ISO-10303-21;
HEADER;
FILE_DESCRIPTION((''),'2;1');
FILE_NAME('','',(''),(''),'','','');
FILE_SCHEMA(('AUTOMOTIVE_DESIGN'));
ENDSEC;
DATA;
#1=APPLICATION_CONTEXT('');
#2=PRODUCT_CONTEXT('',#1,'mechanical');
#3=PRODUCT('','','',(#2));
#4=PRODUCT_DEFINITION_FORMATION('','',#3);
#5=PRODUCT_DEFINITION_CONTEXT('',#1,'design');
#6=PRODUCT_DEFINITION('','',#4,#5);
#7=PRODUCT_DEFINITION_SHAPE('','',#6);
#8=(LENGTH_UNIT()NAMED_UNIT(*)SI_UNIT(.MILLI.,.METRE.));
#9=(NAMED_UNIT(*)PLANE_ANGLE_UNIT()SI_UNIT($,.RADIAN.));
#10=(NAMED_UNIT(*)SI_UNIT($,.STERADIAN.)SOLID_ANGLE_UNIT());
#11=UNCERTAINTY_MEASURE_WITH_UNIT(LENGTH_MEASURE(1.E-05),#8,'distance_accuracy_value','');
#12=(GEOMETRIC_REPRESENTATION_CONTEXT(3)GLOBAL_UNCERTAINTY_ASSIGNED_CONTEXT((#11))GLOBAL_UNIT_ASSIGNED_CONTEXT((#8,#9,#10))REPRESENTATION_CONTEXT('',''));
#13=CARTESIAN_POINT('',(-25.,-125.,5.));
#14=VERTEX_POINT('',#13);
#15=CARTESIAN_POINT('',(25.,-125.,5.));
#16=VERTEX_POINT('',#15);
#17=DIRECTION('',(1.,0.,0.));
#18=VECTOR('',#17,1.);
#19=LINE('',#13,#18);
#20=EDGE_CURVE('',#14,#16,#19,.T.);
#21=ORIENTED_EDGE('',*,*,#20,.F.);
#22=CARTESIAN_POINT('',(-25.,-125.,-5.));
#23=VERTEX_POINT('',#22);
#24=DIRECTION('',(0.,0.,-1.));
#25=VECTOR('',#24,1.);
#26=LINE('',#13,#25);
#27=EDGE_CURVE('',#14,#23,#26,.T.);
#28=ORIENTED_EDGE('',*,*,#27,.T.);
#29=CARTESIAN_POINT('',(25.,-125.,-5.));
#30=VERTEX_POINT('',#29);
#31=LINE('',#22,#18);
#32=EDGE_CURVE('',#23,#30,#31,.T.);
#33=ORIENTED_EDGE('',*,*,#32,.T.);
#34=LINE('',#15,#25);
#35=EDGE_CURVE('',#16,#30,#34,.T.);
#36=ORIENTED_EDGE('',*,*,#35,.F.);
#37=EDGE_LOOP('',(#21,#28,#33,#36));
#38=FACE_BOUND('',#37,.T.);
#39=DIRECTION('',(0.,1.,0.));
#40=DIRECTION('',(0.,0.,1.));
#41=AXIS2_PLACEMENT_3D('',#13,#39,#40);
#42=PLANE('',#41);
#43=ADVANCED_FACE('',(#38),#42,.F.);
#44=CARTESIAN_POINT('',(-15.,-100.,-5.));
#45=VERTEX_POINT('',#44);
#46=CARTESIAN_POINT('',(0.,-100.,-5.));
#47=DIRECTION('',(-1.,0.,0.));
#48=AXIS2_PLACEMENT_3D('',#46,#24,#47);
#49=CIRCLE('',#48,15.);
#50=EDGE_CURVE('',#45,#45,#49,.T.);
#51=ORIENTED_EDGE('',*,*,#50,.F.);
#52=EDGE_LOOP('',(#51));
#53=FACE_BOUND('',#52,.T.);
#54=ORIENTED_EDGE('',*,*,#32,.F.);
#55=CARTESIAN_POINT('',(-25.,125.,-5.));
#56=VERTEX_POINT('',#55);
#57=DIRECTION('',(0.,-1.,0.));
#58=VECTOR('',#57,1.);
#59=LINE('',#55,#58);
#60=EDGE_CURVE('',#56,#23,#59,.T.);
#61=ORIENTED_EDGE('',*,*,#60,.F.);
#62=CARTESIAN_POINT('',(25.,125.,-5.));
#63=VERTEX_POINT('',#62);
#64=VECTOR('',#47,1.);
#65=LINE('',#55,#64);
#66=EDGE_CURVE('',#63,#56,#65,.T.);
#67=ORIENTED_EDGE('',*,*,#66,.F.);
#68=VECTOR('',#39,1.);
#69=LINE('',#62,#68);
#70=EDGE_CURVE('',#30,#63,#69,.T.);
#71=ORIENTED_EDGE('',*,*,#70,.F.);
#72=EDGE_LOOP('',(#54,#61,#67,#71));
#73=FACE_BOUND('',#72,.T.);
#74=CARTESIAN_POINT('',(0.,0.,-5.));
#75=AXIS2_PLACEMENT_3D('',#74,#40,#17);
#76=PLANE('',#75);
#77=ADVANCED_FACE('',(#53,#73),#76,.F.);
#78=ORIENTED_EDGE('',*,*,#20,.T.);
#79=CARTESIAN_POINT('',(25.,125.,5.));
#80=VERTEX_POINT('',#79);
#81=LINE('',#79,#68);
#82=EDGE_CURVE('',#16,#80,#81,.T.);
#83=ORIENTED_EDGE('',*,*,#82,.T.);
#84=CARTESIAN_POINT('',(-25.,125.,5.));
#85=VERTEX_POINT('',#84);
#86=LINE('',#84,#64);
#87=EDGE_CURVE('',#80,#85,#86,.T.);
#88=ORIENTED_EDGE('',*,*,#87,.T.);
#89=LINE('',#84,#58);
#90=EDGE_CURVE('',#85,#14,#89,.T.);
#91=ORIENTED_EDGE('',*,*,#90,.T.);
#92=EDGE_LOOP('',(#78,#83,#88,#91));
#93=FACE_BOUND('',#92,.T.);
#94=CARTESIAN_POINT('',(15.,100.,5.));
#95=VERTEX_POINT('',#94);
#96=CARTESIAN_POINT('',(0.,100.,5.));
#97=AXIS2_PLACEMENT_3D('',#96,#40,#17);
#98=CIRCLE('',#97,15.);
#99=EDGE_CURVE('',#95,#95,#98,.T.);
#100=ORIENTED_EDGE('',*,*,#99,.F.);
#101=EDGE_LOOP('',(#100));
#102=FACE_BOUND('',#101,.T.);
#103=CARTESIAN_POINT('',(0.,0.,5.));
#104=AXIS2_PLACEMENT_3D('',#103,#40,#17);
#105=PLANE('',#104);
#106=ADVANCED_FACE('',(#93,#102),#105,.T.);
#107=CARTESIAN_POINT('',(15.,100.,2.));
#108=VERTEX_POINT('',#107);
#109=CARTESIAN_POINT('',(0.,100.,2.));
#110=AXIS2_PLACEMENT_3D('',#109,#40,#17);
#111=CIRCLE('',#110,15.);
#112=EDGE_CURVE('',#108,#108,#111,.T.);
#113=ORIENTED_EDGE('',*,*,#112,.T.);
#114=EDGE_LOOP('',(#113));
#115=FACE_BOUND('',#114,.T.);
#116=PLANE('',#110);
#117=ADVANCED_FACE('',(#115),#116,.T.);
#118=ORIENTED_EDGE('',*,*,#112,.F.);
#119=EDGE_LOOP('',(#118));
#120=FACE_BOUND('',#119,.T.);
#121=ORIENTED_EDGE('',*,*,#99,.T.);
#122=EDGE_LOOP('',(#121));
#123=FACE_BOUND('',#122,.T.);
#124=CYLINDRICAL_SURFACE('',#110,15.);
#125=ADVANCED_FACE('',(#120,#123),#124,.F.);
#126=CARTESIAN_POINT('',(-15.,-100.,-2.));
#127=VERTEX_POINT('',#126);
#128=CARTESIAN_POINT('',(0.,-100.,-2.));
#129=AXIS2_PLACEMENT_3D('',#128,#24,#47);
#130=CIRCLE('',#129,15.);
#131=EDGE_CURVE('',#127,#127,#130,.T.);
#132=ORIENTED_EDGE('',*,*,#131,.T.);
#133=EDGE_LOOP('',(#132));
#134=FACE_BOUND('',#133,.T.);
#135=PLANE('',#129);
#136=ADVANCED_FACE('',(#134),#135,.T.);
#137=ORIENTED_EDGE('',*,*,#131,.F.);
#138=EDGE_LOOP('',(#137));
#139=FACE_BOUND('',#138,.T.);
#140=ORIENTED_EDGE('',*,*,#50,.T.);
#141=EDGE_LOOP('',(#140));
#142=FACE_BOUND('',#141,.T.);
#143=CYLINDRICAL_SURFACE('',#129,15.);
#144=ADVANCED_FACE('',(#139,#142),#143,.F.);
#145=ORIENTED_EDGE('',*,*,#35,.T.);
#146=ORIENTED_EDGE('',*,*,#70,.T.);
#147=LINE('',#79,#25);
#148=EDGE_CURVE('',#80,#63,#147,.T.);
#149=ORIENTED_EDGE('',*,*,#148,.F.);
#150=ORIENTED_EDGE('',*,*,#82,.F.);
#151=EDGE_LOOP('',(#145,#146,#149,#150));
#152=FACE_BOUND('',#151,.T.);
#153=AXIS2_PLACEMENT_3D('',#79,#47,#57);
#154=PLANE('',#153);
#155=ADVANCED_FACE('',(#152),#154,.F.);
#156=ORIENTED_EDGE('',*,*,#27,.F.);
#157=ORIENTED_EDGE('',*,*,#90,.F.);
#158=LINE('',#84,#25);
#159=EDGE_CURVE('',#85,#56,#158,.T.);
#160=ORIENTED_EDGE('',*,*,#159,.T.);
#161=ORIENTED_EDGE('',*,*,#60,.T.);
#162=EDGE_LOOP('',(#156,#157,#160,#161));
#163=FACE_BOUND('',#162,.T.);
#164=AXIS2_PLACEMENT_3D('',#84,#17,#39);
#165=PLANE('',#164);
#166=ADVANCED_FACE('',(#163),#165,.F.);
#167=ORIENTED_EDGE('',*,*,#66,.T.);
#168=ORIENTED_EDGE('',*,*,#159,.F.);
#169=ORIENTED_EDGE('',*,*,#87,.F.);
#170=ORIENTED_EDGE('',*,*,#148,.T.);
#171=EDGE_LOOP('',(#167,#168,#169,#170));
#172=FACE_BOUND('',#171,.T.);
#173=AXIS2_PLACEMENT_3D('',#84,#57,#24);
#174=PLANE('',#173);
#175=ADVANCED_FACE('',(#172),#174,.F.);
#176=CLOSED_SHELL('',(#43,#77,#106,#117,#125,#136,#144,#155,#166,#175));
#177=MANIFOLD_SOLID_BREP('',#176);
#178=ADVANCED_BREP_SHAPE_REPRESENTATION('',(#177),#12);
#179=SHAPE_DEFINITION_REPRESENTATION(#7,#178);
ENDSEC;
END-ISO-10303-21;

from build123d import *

# Parameters (mm, degrees)
SKETCH1_W           = 50
SKETCH1_H           = 250
BOSS_EXTRUDE1_DEPTH = 5
SKETCH2_R           = 15
CUT_EXTRUDE1_DEPTH  = 3
SKETCH5_R           = 15
CUT_EXTRUDE2_DEPTH  = 3


with BuildPart() as part:
    # Sketch1 → Boss-Extrude1 (new, symmetric)
    with BuildSketch(Plane.XY):
        Rectangle(SKETCH1_W, SKETCH1_H)
    extrude(amount=BOSS_EXTRUDE1_DEPTH, both=True)

    # Sketch2 → Cut-Extrude1 (cut)
    with BuildSketch(Plane.XY.offset(5)):
        with Locations((0, 100)):
            Circle(SKETCH2_R)
    extrude(amount=-CUT_EXTRUDE1_DEPTH, mode=Mode.SUBTRACT)

    # Sketch5 → Cut-Extrude2 (cut)
    with BuildSketch(Plane(origin=(0, 0, -5), x_dir=(-1, 0, 0), z_dir=(0, 0, -1))):
        with Locations((0, -100)):
            Circle(SKETCH5_R)
    extrude(amount=-CUT_EXTRUDE2_DEPTH, mode=Mode.SUBTRACT)


solid = part.part
